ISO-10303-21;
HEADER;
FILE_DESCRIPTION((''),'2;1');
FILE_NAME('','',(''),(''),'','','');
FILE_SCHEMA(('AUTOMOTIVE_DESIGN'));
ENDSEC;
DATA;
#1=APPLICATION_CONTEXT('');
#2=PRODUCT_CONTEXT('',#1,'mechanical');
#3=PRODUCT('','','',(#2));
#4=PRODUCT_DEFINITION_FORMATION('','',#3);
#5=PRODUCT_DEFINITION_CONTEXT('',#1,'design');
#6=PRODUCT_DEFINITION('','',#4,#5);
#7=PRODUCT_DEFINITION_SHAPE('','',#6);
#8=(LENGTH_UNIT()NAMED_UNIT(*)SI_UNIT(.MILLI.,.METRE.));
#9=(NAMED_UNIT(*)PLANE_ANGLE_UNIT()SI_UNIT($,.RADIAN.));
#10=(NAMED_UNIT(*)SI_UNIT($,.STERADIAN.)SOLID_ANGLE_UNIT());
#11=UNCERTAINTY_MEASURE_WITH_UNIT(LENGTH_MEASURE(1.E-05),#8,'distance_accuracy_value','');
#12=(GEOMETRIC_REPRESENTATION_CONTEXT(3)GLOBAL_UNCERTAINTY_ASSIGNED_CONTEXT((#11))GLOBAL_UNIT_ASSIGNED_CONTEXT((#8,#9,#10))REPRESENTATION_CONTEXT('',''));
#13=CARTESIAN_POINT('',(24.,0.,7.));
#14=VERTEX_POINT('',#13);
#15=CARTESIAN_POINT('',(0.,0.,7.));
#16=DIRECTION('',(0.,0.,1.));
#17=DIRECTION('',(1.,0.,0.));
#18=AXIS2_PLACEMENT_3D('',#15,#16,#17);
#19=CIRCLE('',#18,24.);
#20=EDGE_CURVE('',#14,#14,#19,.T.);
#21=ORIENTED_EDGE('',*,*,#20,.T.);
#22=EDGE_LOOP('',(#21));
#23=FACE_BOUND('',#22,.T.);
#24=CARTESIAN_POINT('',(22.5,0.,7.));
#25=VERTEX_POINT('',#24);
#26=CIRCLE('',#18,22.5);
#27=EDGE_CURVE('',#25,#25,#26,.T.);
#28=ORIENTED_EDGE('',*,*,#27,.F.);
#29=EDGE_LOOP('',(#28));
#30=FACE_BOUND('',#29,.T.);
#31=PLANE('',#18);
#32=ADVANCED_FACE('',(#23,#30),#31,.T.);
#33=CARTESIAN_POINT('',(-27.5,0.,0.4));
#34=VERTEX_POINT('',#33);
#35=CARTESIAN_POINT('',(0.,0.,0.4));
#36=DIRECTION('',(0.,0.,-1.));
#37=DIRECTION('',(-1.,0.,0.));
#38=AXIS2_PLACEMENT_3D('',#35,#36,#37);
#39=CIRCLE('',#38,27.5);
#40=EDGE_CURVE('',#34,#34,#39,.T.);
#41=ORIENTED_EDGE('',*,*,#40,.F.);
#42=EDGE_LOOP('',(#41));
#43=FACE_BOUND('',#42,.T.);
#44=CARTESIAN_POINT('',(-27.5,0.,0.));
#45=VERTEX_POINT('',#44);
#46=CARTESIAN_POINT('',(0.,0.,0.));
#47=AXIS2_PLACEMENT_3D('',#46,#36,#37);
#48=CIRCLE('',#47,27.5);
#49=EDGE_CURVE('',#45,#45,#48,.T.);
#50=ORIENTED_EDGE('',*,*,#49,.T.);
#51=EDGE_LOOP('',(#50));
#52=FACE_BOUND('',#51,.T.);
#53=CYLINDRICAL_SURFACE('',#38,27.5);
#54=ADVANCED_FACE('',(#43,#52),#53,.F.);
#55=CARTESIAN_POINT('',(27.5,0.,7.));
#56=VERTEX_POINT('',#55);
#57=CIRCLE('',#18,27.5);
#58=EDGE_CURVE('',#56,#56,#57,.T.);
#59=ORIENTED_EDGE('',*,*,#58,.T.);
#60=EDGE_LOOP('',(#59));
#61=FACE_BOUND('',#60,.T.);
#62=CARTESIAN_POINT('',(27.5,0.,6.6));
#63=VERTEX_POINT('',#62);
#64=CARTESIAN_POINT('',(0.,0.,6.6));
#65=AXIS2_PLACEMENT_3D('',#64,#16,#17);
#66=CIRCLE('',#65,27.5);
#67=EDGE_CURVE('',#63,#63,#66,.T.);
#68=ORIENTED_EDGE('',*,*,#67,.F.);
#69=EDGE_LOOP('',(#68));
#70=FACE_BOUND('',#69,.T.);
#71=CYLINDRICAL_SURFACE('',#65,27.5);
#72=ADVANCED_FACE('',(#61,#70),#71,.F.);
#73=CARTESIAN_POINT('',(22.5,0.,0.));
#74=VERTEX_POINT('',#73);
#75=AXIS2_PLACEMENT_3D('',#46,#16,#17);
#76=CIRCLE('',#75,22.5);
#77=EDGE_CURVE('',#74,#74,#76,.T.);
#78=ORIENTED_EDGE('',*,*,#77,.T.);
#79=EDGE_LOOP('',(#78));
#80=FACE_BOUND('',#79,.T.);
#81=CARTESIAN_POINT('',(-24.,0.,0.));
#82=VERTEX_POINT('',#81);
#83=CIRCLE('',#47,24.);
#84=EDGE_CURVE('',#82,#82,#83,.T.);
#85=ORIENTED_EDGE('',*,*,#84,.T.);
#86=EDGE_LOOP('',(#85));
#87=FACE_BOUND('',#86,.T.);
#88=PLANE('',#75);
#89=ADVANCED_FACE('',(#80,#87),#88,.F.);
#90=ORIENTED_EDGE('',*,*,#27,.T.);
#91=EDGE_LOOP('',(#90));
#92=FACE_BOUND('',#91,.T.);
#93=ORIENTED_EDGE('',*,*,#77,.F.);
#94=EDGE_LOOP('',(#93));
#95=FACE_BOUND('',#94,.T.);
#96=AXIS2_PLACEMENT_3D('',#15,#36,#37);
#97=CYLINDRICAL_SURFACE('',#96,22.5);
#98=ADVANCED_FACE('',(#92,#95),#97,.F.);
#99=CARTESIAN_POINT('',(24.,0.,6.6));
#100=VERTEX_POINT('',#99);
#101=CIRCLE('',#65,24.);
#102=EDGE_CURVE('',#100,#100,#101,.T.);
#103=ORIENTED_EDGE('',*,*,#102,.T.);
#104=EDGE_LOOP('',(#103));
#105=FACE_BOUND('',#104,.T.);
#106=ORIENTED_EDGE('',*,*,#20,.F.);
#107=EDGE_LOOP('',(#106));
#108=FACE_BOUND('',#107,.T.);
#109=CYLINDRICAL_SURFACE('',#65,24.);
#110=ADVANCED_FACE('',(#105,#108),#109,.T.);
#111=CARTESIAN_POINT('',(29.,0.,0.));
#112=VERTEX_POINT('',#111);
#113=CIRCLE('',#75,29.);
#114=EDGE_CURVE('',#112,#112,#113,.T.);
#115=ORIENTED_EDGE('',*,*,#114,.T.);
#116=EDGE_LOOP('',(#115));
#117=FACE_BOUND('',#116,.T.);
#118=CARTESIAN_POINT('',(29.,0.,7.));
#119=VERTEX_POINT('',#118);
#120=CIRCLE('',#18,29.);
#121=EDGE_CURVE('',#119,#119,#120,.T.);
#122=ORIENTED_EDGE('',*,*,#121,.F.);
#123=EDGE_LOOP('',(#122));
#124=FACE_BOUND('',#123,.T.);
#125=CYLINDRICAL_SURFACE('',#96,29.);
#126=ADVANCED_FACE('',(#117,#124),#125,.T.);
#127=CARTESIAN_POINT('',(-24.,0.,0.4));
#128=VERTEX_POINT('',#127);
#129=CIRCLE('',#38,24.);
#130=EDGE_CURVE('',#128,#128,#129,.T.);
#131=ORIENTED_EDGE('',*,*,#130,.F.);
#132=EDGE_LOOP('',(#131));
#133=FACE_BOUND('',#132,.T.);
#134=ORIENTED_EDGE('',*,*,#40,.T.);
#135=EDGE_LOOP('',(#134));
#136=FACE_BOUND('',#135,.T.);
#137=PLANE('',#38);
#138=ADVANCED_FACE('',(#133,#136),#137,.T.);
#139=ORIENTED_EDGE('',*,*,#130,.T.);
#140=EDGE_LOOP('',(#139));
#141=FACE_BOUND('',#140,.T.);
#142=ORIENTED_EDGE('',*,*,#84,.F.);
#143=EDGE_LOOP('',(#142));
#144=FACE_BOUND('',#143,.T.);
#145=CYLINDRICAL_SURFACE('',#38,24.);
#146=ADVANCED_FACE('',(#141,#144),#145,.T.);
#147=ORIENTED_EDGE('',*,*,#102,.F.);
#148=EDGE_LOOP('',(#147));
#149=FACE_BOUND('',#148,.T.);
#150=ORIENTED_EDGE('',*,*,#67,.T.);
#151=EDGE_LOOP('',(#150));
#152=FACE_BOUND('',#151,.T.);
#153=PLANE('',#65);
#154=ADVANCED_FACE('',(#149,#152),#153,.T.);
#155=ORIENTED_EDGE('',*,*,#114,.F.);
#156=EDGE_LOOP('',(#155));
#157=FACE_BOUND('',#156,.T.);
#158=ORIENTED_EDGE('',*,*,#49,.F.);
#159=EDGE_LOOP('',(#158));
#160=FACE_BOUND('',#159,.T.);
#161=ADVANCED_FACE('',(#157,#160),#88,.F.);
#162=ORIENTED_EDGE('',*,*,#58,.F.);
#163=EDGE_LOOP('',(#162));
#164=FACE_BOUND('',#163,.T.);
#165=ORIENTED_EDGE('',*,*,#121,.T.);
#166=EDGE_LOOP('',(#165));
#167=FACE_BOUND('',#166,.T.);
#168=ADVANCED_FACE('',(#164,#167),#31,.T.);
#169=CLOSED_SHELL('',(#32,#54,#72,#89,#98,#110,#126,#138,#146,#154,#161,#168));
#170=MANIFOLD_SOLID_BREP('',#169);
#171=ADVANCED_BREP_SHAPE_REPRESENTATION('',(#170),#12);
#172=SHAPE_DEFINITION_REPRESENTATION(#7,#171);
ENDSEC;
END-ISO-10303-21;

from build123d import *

# Parameters (mm, degrees)
SKETCH_1_R          = 29
SKETCH_1_R_2        = 22.5
EXTRUDE_1_DEPTH     = 7
SKETCH_2_R          = 27.5
SKETCH_2_R_2        = 24
CUT_EXTRUDE_1_DEPTH = 0.4
CUT_EXTRUDE_START   = -0.4
SKETCH_3_R          = 27.5
SKETCH_3_R_2        = 24
CUT_EXTRUDE_2_DEPTH = 0.4


with BuildPart() as part:
    # 草图1 → 凸台-拉伸1 (new body)
    with BuildSketch(Plane.XY):
        Circle(SKETCH_1_R)
        Circle(SKETCH_1_R_2, mode=Mode.SUBTRACT)
    extrude(amount=EXTRUDE_1_DEPTH)

    # 草图2 → 切除-拉伸1 (cut)
    with BuildSketch(Plane.XY.offset(7)):
        Circle(SKETCH_2_R)
        Circle(SKETCH_2_R_2, mode=Mode.SUBTRACT)
    extrude(amount=-CUT_EXTRUDE_1_DEPTH, mode=Mode.SUBTRACT)

    # 草图3 → 切除-拉伸2 (cut)
    with BuildSketch(Plane(origin=(0, 0, 0), x_dir=(-1, 0, 0), z_dir=(0, 0, -1)).offset(CUT_EXTRUDE_START)):
        with Locations(Location((0, 0, 0), (0, 0, 180))):
            Circle(SKETCH_3_R)
        with Locations(Location((0, 0, 0), (0, 0, 180))):
            Circle(SKETCH_3_R_2, mode=Mode.SUBTRACT)
    extrude(amount=CUT_EXTRUDE_2_DEPTH, mode=Mode.SUBTRACT)


solid = part.part
